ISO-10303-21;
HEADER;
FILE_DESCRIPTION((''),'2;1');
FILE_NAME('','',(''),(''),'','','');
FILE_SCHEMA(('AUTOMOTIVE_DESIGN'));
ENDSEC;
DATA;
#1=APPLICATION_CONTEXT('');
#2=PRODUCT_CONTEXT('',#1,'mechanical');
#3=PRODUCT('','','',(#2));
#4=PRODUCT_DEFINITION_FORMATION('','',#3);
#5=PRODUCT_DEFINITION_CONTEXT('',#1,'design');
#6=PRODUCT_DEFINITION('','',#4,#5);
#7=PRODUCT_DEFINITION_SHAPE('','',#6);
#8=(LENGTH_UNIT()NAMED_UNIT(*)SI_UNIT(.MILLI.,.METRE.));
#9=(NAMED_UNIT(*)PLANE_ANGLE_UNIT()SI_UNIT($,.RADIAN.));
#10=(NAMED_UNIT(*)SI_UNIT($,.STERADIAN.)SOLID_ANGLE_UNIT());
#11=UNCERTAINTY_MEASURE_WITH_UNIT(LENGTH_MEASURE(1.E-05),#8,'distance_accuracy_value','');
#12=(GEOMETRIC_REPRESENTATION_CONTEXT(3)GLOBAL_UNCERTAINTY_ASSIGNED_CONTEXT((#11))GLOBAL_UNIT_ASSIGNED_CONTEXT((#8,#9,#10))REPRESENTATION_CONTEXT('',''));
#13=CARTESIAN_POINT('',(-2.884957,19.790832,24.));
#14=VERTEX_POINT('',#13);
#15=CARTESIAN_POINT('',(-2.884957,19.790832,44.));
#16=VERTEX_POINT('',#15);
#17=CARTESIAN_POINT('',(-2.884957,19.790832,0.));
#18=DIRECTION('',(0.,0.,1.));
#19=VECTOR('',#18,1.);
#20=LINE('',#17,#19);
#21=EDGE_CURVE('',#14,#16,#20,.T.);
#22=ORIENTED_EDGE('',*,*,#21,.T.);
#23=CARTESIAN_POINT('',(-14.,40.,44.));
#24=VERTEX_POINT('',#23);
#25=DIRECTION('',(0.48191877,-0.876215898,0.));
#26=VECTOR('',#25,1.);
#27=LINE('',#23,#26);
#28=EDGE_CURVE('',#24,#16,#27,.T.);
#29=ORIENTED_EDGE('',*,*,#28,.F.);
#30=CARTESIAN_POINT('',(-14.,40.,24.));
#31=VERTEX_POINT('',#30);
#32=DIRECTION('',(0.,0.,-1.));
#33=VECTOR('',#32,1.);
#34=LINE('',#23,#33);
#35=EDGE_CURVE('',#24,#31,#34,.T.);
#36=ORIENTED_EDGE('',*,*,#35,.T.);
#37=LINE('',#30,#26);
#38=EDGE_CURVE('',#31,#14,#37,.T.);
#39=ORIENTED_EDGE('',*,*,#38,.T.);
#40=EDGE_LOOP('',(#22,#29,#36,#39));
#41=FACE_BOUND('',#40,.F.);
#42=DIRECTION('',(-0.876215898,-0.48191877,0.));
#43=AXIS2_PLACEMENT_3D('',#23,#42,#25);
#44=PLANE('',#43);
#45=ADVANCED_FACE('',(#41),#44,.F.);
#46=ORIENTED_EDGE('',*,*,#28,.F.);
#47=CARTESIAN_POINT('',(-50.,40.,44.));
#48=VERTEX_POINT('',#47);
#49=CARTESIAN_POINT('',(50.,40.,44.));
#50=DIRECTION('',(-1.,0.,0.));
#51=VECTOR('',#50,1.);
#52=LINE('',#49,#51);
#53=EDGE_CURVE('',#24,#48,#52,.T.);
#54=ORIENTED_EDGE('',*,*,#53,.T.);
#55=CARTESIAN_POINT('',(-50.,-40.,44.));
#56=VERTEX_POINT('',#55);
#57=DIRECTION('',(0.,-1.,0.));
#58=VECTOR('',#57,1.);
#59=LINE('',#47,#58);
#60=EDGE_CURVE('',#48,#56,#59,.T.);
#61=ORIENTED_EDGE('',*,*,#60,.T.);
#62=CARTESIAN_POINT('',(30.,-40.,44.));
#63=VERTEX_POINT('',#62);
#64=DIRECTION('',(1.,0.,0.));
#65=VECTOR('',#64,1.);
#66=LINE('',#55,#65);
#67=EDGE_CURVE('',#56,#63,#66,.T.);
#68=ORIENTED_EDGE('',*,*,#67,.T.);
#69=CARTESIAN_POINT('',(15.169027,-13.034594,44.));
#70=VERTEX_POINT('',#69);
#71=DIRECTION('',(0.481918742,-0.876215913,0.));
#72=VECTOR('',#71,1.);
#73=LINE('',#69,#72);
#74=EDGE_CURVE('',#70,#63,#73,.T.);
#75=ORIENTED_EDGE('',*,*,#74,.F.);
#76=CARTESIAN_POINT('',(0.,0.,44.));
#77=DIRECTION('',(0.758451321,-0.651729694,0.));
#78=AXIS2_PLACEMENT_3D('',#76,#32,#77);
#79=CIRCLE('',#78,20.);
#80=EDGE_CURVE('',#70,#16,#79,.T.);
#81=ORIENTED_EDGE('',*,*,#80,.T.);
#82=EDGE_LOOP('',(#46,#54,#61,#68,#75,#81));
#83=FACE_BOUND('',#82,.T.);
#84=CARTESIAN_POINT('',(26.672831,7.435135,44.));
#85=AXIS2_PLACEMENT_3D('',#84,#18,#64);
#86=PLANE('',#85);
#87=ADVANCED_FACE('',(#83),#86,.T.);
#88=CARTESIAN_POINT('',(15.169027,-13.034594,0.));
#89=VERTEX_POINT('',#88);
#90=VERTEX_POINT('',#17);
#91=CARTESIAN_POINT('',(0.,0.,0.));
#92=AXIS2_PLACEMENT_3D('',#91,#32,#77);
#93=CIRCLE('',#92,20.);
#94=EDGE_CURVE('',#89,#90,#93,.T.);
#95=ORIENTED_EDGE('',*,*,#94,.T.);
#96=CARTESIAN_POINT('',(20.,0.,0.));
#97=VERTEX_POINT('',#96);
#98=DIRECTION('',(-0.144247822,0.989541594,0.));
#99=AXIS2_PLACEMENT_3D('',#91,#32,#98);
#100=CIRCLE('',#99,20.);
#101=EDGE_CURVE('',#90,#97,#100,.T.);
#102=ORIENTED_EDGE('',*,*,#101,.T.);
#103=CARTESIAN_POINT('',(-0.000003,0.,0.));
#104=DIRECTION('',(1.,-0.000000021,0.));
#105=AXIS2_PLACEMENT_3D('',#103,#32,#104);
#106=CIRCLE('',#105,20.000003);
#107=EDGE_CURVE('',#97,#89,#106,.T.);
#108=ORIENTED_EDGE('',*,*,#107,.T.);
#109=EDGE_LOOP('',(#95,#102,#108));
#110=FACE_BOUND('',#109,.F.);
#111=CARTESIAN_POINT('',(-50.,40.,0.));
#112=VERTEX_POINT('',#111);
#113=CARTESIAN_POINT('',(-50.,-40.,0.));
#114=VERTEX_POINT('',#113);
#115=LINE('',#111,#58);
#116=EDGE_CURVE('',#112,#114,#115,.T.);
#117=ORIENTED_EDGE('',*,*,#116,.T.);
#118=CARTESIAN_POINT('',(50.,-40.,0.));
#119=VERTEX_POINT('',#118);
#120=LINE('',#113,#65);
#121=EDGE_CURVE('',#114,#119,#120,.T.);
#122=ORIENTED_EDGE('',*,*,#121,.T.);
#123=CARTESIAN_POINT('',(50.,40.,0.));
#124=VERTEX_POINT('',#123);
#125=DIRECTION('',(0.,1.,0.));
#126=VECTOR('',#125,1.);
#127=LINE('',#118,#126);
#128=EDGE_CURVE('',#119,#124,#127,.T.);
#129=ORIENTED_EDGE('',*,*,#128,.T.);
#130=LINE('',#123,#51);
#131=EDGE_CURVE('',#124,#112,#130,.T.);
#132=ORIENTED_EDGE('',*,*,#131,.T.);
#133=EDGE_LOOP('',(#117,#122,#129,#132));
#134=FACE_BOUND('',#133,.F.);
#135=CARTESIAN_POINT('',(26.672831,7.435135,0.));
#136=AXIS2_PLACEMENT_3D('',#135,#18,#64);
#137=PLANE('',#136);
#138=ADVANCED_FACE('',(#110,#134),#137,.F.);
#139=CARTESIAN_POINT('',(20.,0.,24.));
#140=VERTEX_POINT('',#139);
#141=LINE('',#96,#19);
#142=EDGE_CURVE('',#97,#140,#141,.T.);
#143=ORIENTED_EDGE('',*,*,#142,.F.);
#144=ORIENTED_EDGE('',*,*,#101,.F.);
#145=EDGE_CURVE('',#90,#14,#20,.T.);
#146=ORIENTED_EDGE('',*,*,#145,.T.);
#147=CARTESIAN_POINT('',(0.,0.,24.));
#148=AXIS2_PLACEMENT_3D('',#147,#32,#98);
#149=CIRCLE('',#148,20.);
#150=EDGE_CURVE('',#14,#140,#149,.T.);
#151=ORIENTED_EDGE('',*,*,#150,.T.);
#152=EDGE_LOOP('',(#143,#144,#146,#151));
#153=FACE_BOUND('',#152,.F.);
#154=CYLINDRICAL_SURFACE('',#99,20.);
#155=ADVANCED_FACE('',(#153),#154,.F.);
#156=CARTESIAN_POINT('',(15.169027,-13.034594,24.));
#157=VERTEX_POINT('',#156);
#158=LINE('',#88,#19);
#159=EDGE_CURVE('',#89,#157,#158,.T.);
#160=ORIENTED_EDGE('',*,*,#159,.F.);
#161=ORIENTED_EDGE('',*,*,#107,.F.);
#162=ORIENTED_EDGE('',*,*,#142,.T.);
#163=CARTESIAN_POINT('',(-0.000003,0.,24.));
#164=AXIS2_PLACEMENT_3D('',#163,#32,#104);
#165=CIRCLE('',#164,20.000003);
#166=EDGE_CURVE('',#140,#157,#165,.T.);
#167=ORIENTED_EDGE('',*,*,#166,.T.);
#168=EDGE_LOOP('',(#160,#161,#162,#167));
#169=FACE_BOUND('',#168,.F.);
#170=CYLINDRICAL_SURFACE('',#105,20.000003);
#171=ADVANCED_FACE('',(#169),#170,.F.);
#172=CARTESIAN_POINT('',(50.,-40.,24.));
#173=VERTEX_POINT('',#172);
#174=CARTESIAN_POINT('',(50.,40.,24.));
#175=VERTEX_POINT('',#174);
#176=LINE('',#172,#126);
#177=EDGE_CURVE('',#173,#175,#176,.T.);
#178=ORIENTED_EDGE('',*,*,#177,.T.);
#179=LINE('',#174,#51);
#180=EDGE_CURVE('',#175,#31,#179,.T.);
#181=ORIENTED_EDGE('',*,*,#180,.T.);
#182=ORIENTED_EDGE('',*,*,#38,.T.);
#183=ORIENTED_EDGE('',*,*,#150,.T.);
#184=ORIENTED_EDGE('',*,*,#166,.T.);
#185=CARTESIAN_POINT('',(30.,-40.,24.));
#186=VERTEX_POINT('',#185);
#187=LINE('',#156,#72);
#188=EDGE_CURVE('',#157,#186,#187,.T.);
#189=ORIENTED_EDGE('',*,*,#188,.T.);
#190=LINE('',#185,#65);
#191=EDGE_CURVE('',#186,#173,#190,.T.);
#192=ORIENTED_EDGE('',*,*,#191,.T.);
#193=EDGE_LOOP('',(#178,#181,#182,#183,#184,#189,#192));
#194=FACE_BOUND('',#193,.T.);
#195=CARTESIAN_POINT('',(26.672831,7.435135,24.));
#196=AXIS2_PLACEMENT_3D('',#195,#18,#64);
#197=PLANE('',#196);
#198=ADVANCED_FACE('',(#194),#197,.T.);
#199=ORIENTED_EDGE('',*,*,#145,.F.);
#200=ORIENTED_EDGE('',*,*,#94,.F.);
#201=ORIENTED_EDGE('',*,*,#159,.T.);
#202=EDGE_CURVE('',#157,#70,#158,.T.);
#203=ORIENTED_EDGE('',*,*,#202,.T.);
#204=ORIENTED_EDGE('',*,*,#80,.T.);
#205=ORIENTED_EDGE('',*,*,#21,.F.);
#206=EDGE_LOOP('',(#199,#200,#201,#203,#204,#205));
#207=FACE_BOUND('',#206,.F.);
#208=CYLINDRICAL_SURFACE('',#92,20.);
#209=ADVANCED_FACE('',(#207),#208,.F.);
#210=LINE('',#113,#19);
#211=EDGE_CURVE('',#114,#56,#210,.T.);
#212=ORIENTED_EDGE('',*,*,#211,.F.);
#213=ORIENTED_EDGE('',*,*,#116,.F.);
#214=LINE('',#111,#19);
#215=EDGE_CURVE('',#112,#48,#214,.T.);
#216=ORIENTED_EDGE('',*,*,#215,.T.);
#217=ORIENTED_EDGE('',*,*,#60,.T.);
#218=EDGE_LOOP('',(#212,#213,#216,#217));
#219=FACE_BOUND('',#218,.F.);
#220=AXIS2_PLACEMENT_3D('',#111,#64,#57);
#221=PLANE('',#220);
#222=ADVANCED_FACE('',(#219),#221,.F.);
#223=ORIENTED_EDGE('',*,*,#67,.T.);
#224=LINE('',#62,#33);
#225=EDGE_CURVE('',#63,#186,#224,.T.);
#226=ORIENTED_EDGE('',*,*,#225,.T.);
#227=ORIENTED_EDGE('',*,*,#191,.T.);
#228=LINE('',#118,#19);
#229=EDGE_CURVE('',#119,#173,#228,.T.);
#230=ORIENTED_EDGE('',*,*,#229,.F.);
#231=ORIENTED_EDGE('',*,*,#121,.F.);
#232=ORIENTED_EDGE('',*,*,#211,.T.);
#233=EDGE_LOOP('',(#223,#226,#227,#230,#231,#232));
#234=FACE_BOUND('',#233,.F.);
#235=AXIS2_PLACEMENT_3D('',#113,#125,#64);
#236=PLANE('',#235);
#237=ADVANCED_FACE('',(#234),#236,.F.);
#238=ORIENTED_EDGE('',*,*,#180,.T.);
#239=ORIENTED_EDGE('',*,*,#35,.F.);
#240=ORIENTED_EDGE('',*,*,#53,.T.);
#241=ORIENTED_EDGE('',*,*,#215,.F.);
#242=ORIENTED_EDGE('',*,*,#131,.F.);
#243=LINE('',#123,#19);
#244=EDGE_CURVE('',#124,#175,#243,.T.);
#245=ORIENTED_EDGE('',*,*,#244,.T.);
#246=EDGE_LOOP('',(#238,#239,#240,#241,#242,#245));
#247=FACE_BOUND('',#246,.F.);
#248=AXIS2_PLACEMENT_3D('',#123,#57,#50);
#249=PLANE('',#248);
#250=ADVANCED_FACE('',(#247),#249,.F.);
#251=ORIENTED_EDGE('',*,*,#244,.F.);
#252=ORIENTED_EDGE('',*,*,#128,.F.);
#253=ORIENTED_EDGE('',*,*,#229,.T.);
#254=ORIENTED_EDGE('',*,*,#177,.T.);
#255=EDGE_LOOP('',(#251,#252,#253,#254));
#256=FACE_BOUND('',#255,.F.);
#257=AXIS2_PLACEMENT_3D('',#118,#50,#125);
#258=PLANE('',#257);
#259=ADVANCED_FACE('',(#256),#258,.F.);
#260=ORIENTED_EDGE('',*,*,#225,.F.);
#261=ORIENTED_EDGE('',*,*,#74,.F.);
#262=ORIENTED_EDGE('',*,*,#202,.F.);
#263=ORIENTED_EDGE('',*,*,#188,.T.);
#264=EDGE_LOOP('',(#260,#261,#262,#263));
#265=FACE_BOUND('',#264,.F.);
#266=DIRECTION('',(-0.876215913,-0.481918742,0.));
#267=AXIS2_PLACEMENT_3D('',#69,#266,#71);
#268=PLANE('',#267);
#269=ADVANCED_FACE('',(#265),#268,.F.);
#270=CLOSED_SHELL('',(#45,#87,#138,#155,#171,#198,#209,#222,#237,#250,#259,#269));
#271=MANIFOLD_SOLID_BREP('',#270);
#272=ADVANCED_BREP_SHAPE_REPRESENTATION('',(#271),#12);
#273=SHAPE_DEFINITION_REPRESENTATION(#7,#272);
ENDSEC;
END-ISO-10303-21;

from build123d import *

# Parameters (mm, degrees)
F1_DEPTH = 44
F3_DEPTH = 20


with BuildPart() as f1:
    # F0 (on Top) → F1 (new body)
    with BuildSketch(Plane.XY):
        with BuildLine():
            Line((50, -40), (50, 40))
            Line((50, 40), (-14, 40))
            Line((-14, 40), (-2.884957, 19.790832))
            ThreePointArc((-2.884957, 19.790832), (13.082447, 15.127775), (20, 0))
            ThreePointArc((20, 0), (18.753407, -6.95052), (15.169027, -13.034594))
            Line((15.169027, -13.034594), (30, -40))
            Line((30, -40), (50, -40))
        make_face()
        with BuildLine():
            Line((-2.884957, 19.790832), (-14, 40))
            Line((-14, 40), (-50, 40))
            Line((-50, 40), (-50, -40))
            Line((-50, -40), (30, -40))
            Line((30, -40), (15.169027, -13.034594))
            ThreePointArc((15.169027, -13.034594), (-17.524318, -9.638375), (-2.884957, 19.790832))
        make_face()
    extrude(amount=F1_DEPTH)

    # F2 (on face) → F3 (cut)
    with BuildSketch(Plane.XY.offset(44)):
        with BuildLine():
            Line((50, 40), (-14, 40))
            Line((-14, 40), (-2.884957, 19.790832))
            ThreePointArc((-2.884957, 19.790832), (13.082447, 15.127775), (20, 0))
            ThreePointArc((20, 0), (18.753407, -6.95052), (15.169027, -13.034594))
            Line((15.169027, -13.034594), (30, -40))
            Line((30, -40), (50, -40))
            Line((50, -40), (50, 40))
        make_face()
    extrude(amount=-F3_DEPTH, mode=Mode.SUBTRACT)


solid = f1.part
